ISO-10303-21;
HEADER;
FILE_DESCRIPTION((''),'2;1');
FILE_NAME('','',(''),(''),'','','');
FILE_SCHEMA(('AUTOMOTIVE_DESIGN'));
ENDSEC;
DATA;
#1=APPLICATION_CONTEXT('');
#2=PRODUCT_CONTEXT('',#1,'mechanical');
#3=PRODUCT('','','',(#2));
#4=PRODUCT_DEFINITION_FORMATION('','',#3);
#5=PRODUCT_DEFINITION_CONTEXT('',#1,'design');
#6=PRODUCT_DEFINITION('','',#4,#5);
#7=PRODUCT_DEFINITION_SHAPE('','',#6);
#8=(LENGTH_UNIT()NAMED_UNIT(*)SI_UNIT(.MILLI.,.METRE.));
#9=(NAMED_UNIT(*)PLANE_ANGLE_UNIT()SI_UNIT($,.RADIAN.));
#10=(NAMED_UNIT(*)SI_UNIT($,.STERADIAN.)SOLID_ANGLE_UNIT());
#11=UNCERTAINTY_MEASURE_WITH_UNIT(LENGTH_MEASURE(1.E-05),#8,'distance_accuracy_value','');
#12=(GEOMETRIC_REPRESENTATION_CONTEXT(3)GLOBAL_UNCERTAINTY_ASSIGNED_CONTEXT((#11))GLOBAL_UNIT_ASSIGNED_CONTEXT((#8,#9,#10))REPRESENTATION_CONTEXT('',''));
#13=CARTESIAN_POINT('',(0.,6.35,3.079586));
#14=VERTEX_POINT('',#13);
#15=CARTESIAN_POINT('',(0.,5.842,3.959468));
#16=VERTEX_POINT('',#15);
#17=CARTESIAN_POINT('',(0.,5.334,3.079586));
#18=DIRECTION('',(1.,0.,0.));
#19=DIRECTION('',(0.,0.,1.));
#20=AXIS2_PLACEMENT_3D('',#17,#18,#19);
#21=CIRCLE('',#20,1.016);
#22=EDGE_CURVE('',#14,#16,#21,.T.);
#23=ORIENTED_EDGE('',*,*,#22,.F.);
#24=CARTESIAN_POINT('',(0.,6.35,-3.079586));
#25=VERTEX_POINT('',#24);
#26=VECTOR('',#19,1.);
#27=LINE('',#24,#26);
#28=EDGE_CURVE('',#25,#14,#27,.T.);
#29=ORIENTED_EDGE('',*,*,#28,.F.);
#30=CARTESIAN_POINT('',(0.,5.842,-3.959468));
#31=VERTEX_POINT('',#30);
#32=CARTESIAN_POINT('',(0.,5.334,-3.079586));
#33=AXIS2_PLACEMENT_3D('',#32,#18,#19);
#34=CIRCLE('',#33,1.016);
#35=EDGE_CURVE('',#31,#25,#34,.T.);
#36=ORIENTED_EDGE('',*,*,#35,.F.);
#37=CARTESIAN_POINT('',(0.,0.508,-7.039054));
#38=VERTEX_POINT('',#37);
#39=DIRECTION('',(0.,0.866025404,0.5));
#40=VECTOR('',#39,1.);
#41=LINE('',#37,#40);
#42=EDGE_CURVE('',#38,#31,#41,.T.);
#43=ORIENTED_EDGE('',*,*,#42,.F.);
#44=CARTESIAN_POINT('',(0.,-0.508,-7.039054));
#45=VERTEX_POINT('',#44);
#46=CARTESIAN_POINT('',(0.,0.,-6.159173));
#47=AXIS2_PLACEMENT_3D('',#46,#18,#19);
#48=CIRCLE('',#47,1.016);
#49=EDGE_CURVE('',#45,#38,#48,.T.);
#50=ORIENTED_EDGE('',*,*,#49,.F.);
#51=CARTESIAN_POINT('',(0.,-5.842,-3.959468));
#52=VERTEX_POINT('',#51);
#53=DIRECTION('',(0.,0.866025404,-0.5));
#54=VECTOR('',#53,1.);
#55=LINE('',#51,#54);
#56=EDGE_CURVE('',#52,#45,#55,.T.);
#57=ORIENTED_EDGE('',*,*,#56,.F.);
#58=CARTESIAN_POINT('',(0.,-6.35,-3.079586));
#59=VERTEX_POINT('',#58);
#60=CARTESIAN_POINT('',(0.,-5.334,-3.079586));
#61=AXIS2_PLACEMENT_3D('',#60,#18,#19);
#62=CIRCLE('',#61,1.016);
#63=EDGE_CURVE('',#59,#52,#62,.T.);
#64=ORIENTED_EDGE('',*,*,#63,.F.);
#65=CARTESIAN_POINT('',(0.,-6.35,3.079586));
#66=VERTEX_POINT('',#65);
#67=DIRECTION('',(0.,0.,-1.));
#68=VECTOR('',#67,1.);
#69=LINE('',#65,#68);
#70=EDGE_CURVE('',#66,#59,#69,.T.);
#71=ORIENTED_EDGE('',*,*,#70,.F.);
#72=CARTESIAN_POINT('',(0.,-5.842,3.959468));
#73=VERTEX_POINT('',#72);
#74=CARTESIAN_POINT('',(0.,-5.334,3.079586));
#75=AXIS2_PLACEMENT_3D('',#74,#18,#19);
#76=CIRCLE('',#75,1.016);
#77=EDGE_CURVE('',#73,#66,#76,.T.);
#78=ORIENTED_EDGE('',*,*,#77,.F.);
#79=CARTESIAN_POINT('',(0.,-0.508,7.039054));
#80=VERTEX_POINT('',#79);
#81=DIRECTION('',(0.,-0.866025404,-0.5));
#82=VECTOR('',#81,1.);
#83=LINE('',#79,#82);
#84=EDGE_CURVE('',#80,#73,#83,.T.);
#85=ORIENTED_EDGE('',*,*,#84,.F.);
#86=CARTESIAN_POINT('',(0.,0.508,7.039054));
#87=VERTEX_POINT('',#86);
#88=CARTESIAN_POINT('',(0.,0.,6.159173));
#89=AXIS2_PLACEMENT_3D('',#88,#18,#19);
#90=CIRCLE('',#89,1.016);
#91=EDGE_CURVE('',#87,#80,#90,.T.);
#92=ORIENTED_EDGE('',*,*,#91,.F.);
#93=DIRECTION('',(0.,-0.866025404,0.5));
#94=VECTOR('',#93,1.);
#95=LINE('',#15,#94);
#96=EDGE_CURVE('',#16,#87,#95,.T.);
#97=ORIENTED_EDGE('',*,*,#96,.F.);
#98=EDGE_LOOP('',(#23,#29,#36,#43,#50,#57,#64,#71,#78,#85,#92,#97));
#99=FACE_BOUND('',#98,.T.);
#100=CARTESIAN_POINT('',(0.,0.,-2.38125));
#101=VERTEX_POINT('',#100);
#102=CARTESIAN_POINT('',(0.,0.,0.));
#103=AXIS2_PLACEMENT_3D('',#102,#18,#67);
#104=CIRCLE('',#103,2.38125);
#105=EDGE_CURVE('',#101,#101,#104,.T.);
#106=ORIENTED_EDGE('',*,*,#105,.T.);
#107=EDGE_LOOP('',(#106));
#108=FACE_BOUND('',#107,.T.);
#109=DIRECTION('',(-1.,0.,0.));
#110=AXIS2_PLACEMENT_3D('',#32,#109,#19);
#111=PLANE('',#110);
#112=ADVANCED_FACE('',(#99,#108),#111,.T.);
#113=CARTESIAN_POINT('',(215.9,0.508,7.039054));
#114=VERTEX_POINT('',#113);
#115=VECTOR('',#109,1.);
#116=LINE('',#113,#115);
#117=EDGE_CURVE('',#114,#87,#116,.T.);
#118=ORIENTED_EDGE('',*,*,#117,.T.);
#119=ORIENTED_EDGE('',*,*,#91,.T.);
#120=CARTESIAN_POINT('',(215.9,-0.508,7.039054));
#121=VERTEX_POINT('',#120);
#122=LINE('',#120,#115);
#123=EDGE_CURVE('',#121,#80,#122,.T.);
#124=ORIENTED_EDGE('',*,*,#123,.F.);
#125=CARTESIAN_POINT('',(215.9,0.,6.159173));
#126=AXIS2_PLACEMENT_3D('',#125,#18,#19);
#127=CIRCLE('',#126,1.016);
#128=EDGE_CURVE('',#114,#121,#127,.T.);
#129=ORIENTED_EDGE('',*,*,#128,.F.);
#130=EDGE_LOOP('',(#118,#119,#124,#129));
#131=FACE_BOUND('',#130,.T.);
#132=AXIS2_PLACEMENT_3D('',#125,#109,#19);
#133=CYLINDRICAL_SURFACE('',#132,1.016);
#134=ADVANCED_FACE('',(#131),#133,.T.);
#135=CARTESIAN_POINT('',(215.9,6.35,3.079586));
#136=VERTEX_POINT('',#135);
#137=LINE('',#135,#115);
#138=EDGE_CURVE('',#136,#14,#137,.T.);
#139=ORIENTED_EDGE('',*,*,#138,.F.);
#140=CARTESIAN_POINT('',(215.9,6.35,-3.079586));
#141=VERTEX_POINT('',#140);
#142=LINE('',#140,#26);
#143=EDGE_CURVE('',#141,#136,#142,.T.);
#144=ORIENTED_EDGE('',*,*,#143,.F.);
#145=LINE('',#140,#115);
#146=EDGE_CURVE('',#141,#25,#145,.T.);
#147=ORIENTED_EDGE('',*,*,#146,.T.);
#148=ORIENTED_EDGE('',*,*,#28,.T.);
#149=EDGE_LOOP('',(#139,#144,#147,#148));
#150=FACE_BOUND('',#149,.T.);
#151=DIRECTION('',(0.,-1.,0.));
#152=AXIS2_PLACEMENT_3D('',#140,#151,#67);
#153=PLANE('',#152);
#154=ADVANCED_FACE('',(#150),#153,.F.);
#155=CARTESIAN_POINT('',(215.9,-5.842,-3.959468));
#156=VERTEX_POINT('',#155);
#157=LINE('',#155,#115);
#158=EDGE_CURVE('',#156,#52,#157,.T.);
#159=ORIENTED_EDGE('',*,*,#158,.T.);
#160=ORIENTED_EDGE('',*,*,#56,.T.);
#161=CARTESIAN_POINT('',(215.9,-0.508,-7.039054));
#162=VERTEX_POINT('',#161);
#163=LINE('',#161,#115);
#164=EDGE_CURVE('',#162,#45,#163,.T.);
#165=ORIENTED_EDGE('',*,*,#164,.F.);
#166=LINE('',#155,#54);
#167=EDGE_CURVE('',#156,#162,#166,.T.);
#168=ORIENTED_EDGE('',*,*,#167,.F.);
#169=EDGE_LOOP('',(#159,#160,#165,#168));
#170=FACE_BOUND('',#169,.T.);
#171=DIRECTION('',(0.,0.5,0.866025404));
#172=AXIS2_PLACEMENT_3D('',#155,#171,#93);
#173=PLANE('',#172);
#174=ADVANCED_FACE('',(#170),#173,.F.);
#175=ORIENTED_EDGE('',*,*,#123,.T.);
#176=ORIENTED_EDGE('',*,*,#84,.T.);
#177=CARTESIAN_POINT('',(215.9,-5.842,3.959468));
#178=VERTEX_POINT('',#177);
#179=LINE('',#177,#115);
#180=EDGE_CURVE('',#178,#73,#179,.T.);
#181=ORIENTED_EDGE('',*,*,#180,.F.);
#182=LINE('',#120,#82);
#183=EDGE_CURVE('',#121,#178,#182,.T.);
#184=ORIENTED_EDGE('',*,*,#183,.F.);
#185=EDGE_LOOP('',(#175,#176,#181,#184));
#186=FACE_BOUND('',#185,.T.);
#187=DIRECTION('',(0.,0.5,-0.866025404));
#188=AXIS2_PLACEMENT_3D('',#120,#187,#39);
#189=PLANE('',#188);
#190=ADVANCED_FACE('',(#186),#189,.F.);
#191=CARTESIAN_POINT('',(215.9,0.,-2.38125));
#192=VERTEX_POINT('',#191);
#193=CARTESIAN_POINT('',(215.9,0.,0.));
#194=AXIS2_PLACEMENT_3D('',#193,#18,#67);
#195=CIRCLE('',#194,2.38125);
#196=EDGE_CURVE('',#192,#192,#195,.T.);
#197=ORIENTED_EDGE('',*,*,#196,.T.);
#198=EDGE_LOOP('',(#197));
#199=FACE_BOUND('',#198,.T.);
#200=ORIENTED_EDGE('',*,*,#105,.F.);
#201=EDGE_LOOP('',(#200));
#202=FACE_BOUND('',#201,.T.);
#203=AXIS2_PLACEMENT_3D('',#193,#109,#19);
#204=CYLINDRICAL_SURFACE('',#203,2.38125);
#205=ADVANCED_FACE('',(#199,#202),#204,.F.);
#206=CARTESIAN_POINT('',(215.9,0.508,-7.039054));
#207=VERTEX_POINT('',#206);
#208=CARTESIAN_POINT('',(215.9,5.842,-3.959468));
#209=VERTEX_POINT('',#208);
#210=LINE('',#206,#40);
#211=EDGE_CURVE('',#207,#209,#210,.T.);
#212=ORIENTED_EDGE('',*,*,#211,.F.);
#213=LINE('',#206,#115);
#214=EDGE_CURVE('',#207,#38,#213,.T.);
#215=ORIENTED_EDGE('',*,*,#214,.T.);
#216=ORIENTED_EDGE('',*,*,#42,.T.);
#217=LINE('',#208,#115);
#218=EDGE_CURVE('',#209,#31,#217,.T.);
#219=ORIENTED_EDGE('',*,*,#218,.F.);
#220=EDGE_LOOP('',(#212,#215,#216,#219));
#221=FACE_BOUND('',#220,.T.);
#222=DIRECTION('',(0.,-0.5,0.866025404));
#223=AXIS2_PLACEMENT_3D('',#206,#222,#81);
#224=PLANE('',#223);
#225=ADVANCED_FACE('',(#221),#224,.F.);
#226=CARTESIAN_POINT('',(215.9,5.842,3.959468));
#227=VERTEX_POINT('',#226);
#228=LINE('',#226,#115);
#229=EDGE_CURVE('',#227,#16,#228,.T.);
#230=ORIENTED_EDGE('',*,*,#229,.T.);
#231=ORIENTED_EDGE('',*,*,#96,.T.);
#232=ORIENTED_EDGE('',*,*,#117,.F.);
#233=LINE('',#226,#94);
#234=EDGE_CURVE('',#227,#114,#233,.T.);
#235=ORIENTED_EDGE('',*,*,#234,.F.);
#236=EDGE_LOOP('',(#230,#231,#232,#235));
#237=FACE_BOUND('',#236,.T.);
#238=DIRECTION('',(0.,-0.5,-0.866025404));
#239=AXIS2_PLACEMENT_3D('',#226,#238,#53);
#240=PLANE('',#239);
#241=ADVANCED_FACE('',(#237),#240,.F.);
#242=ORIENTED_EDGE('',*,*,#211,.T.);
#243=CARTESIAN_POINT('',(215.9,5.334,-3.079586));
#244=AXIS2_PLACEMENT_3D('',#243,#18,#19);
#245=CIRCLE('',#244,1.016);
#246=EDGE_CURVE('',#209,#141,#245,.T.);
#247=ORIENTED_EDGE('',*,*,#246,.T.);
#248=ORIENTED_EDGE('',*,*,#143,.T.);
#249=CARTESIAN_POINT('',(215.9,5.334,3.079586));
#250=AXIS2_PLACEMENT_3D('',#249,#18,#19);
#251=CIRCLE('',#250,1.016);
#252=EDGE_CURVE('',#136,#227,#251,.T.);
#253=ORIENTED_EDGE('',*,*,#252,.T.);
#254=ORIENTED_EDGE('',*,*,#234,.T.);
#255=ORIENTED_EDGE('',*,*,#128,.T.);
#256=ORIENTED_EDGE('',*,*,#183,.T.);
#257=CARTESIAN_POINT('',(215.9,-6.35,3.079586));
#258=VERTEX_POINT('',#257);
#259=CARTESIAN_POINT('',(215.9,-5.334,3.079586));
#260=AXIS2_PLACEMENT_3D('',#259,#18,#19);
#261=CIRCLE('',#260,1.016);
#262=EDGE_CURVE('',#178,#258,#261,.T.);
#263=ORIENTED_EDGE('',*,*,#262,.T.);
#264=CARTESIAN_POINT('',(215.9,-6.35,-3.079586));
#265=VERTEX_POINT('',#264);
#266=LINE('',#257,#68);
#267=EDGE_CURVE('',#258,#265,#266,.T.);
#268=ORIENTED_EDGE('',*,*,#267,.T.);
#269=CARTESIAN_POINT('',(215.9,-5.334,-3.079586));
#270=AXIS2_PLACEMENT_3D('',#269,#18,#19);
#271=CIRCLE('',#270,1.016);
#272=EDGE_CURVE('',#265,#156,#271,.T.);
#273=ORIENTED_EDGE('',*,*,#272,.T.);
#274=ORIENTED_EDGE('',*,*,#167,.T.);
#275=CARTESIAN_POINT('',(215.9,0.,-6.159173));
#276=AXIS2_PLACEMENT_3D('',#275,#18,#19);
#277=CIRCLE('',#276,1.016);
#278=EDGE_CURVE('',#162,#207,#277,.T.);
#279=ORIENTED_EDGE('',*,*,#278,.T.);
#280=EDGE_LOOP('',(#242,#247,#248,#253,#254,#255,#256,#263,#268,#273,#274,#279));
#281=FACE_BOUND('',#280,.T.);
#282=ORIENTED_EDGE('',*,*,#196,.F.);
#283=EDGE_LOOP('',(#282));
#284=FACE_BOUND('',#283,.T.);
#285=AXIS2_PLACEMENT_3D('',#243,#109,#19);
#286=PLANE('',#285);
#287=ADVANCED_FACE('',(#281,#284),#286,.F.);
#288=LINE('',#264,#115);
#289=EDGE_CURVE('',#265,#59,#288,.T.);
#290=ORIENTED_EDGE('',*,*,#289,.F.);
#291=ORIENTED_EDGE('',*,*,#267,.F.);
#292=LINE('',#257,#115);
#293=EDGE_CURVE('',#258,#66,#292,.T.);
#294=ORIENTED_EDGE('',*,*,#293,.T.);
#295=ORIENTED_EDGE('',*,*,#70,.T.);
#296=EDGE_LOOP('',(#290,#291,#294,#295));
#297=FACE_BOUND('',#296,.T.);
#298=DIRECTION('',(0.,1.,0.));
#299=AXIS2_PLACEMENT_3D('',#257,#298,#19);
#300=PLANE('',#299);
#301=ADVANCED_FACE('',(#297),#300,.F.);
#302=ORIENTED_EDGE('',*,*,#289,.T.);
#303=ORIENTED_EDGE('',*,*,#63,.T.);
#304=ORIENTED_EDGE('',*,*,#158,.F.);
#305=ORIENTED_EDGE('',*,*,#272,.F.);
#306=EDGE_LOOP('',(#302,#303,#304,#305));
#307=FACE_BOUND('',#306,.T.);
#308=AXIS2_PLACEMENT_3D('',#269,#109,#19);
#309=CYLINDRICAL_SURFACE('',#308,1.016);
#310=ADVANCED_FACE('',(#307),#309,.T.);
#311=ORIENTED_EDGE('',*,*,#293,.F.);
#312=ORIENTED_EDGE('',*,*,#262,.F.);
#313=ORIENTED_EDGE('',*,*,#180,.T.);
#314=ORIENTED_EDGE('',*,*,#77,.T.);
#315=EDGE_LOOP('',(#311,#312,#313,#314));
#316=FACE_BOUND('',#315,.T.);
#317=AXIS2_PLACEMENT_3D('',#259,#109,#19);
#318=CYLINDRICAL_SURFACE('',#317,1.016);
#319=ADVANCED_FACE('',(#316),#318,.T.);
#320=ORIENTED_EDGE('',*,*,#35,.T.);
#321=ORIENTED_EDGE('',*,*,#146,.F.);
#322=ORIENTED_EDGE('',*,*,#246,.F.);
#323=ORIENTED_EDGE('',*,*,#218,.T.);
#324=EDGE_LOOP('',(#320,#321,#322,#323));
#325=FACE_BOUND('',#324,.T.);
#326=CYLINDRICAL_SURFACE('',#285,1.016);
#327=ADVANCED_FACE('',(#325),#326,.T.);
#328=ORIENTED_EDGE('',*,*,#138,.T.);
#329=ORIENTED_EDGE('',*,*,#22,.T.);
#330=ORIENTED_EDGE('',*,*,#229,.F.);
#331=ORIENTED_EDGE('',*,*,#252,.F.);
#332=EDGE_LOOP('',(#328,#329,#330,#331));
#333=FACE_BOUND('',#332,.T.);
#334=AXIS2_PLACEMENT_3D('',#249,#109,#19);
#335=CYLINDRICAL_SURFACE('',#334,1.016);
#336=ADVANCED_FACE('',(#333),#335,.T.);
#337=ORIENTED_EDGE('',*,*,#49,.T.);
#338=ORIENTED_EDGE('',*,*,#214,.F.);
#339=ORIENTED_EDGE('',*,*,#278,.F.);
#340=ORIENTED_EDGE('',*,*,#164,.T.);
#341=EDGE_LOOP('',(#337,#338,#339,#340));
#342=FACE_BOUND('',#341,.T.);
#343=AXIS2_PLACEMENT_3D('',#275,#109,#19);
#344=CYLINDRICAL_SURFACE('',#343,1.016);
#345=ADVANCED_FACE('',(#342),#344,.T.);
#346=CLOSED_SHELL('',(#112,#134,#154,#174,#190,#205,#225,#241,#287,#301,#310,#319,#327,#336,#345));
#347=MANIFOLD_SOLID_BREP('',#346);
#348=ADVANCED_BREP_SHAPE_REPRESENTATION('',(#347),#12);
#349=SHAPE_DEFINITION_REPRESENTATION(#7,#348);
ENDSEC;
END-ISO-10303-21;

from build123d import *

# Parameters (mm, degrees)
SKETCH1_R           = 2.38125
BOSS_EXTRUDE1_DEPTH = 215.9


with BuildPart() as part:
    # Sketch1 → Boss-Extrude1 (new body)
    with BuildSketch(Plane(origin=(0, 0, 0), x_dir=(0, 0, -1), z_dir=(1, 0, 0))):
        with BuildLine():
            Line((7.039054482, 0.508), (3.959468146, 5.842))
            ThreePointArc((3.959468146, 5.842), (3.587586336, 6.21388181), (3.079586336, 6.35))
            Line((3.079586336, 6.35), (-3.079586336, 6.35))
            ThreePointArc((-3.079586336, 6.35), (-3.587586336, 6.21388181), (-3.959468146, 5.842))
            Line((-3.959468146, 5.842), (-7.039054482, 0.508))
            ThreePointArc((-7.039054482, 0.508), (-7.175172672, 0), (-7.039054482, -0.508))
            Line((-7.039054482, -0.508), (-3.959468146, -5.842))
            ThreePointArc((-3.959468146, -5.842), (-3.587586336, -6.21388181), (-3.079586336, -6.35))
            Line((-3.079586336, -6.35), (3.079586336, -6.35))
            ThreePointArc((3.079586336, -6.35), (3.587586336, -6.21388181), (3.959468146, -5.842))
            Line((3.959468146, -5.842), (7.039054482, -0.508))
            ThreePointArc((7.039054482, -0.508), (7.175172672, 0), (7.039054482, 0.508))
        make_face()
        Circle(SKETCH1_R, mode=Mode.SUBTRACT)
    extrude(amount=BOSS_EXTRUDE1_DEPTH)


solid = part.part
